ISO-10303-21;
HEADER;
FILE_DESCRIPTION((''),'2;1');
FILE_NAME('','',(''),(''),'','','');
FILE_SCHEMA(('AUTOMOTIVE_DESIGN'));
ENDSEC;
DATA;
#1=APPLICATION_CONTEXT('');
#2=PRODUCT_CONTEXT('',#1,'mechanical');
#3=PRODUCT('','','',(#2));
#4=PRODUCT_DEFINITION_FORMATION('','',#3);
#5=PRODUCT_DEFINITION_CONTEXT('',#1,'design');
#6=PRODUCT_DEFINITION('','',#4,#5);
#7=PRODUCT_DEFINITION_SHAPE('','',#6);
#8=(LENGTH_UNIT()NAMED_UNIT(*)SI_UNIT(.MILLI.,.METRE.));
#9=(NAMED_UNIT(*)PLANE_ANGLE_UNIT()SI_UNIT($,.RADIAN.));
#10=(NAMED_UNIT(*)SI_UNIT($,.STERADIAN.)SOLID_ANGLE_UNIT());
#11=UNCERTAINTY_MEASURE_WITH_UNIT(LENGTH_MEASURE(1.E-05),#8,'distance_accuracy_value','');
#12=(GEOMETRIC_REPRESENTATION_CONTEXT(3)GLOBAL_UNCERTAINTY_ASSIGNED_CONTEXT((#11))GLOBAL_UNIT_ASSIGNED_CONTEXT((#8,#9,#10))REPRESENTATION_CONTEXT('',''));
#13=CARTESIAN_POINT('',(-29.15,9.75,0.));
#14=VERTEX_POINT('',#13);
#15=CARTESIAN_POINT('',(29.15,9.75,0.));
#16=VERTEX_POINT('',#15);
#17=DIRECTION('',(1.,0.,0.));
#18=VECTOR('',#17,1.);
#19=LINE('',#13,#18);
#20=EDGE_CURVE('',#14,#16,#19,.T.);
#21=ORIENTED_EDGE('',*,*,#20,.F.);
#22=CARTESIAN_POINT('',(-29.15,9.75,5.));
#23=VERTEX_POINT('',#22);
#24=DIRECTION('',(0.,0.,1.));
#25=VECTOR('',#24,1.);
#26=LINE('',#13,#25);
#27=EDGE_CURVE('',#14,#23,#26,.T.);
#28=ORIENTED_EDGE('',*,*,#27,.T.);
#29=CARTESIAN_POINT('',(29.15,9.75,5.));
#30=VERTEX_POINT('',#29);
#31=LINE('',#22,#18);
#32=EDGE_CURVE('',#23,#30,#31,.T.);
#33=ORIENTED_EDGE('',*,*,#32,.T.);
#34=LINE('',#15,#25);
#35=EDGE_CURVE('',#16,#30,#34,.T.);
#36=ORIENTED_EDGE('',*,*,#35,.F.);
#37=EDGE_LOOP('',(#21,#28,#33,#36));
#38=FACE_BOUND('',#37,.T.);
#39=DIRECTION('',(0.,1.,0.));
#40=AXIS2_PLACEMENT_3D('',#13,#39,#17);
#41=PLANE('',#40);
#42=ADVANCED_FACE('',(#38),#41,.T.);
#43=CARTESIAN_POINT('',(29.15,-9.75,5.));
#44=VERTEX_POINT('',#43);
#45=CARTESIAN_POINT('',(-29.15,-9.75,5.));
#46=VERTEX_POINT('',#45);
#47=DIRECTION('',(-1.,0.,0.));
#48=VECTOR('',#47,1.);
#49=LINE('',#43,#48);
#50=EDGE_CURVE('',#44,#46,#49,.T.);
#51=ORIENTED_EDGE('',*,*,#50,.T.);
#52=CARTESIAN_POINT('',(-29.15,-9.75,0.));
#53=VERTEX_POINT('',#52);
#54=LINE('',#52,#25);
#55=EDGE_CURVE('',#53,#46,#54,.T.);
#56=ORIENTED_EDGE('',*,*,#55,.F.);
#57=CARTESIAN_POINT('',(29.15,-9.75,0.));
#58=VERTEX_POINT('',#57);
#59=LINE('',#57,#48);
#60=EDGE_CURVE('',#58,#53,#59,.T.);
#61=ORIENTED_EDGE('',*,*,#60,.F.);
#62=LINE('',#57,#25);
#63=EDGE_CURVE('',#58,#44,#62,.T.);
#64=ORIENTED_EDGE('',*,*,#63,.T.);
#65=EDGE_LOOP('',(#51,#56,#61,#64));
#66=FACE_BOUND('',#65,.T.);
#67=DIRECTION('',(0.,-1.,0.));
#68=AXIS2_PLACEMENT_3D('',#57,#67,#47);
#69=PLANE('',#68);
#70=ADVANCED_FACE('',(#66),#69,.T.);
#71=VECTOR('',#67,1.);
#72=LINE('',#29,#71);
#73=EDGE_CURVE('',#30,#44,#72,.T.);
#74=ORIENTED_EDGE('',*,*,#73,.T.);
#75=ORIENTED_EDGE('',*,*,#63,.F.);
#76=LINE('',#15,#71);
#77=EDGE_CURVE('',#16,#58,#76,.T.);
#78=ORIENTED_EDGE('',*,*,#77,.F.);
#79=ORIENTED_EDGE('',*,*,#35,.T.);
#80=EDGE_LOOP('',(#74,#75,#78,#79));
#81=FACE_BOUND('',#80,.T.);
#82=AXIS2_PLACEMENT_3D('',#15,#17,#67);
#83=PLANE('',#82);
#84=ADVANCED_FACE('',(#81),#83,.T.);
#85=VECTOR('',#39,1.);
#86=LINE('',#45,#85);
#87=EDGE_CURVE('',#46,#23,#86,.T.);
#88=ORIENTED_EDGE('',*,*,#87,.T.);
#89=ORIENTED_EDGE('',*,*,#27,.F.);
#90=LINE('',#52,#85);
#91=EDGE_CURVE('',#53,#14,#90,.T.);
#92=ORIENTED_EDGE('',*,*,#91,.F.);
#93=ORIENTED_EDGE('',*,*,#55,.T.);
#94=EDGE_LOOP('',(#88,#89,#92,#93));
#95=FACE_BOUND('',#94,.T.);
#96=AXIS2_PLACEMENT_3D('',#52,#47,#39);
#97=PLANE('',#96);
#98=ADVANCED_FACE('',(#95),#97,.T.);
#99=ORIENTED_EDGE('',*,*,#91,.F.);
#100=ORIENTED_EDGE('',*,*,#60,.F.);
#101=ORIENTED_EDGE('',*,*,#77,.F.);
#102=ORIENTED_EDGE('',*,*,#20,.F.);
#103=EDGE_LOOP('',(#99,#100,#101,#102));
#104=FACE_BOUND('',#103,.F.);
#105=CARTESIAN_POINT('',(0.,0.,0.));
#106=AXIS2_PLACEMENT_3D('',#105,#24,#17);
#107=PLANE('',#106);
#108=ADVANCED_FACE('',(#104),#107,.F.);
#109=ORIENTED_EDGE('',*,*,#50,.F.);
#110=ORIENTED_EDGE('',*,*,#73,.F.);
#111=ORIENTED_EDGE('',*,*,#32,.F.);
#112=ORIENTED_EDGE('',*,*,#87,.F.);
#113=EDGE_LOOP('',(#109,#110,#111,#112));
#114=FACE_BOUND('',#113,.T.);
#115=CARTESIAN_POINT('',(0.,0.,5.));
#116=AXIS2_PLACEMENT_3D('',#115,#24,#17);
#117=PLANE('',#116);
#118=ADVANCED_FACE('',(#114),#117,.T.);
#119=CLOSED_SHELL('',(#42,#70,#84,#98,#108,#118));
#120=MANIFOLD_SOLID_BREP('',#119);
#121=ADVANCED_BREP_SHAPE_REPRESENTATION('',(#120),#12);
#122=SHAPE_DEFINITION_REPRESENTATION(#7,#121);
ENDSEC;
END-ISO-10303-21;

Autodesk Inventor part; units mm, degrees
ref_plane "YZ Plane" through (0, 0, 0) normal (1, 0, 0) x (0, 1, 0)
ref_plane "XZ Plane" through (0, 0, 0) normal (0, 1, 0) x (-1, 0, 0)
ref_plane "XY Plane" through (0, 0, 0) normal (0, 0, 1) x (1, 0, 0)
sketch "スケッチ1" plane through (0, 0, 0) normal (0, 0, 1) x (1, 0, 0)
  line L0 (-29.15, 9.75) -> (29.15, 9.75)
  line L1 (29.15, 9.75) -> (29.15, -9.75)
  line L2 (29.15, -9.75) -> (-29.15, -9.75)
  line L3 (-29.15, -9.75) -> (-29.15, 9.75)
  line L4 (-24.15, 6.75) -> (24.15, 6.75) construction
  line L5 (24.15, 6.75) -> (24.15, -6.75) construction
  line L6 (24.15, -6.75) -> (-24.15, -6.75) construction
  line L7 (-24.15, -6.75) -> (-24.15, 6.75) construction
  line L8 (24.15, 6.75) -> (-24.15, -6.75) construction
  line L9 (-24.15, -5.1925) -> (-24.15, 6.75)
  line L10 (-24.15, 6.75) -> (18.5776, 6.75)
  line L11 (18.5776, 6.75) -> (-24.15, -5.1925)
  line L12 (-18.5776, -6.75) -> (24.15, -6.75)
  line L13 (24.15, -6.75) -> (24.15, 5.1925)
  line L14 (24.15, 5.1925) -> (-18.5776, -6.75)
  line L15 (-29.15, 7.25) -> (29.15, 7.25) construction
  line L16 (29.15, -7.25) -> (-29.15, -7.25) construction
  line L17 (29.15, 7.25) -> (29.15, -7.25) construction
  point P0 (0, 0)
  point P1 (0, 6.75)
  point P2 (0, 9.75)
  point P3 (24.15, 0)
  point P4 (29.15, 0)
  dimension "d0" = 5
  dimension "d1" = 3
  dimension "d2" = 1.5
  dimension "d3" = 14.5
  dimension "d4" = 2.5
  dimension "d16" = 58.3
extrude "押し出し1" add sketch "スケッチ1" along normal blind 5 contours L0 L1 L2 L3 | L9 L10 L11 | L14 L13 L12
fillet "フィレット3" [suppressed]
properties part number "リンク_ふくらはぎ_サブフレーム_1_2(予備案)" material "アルミニウム 2014-T4"
